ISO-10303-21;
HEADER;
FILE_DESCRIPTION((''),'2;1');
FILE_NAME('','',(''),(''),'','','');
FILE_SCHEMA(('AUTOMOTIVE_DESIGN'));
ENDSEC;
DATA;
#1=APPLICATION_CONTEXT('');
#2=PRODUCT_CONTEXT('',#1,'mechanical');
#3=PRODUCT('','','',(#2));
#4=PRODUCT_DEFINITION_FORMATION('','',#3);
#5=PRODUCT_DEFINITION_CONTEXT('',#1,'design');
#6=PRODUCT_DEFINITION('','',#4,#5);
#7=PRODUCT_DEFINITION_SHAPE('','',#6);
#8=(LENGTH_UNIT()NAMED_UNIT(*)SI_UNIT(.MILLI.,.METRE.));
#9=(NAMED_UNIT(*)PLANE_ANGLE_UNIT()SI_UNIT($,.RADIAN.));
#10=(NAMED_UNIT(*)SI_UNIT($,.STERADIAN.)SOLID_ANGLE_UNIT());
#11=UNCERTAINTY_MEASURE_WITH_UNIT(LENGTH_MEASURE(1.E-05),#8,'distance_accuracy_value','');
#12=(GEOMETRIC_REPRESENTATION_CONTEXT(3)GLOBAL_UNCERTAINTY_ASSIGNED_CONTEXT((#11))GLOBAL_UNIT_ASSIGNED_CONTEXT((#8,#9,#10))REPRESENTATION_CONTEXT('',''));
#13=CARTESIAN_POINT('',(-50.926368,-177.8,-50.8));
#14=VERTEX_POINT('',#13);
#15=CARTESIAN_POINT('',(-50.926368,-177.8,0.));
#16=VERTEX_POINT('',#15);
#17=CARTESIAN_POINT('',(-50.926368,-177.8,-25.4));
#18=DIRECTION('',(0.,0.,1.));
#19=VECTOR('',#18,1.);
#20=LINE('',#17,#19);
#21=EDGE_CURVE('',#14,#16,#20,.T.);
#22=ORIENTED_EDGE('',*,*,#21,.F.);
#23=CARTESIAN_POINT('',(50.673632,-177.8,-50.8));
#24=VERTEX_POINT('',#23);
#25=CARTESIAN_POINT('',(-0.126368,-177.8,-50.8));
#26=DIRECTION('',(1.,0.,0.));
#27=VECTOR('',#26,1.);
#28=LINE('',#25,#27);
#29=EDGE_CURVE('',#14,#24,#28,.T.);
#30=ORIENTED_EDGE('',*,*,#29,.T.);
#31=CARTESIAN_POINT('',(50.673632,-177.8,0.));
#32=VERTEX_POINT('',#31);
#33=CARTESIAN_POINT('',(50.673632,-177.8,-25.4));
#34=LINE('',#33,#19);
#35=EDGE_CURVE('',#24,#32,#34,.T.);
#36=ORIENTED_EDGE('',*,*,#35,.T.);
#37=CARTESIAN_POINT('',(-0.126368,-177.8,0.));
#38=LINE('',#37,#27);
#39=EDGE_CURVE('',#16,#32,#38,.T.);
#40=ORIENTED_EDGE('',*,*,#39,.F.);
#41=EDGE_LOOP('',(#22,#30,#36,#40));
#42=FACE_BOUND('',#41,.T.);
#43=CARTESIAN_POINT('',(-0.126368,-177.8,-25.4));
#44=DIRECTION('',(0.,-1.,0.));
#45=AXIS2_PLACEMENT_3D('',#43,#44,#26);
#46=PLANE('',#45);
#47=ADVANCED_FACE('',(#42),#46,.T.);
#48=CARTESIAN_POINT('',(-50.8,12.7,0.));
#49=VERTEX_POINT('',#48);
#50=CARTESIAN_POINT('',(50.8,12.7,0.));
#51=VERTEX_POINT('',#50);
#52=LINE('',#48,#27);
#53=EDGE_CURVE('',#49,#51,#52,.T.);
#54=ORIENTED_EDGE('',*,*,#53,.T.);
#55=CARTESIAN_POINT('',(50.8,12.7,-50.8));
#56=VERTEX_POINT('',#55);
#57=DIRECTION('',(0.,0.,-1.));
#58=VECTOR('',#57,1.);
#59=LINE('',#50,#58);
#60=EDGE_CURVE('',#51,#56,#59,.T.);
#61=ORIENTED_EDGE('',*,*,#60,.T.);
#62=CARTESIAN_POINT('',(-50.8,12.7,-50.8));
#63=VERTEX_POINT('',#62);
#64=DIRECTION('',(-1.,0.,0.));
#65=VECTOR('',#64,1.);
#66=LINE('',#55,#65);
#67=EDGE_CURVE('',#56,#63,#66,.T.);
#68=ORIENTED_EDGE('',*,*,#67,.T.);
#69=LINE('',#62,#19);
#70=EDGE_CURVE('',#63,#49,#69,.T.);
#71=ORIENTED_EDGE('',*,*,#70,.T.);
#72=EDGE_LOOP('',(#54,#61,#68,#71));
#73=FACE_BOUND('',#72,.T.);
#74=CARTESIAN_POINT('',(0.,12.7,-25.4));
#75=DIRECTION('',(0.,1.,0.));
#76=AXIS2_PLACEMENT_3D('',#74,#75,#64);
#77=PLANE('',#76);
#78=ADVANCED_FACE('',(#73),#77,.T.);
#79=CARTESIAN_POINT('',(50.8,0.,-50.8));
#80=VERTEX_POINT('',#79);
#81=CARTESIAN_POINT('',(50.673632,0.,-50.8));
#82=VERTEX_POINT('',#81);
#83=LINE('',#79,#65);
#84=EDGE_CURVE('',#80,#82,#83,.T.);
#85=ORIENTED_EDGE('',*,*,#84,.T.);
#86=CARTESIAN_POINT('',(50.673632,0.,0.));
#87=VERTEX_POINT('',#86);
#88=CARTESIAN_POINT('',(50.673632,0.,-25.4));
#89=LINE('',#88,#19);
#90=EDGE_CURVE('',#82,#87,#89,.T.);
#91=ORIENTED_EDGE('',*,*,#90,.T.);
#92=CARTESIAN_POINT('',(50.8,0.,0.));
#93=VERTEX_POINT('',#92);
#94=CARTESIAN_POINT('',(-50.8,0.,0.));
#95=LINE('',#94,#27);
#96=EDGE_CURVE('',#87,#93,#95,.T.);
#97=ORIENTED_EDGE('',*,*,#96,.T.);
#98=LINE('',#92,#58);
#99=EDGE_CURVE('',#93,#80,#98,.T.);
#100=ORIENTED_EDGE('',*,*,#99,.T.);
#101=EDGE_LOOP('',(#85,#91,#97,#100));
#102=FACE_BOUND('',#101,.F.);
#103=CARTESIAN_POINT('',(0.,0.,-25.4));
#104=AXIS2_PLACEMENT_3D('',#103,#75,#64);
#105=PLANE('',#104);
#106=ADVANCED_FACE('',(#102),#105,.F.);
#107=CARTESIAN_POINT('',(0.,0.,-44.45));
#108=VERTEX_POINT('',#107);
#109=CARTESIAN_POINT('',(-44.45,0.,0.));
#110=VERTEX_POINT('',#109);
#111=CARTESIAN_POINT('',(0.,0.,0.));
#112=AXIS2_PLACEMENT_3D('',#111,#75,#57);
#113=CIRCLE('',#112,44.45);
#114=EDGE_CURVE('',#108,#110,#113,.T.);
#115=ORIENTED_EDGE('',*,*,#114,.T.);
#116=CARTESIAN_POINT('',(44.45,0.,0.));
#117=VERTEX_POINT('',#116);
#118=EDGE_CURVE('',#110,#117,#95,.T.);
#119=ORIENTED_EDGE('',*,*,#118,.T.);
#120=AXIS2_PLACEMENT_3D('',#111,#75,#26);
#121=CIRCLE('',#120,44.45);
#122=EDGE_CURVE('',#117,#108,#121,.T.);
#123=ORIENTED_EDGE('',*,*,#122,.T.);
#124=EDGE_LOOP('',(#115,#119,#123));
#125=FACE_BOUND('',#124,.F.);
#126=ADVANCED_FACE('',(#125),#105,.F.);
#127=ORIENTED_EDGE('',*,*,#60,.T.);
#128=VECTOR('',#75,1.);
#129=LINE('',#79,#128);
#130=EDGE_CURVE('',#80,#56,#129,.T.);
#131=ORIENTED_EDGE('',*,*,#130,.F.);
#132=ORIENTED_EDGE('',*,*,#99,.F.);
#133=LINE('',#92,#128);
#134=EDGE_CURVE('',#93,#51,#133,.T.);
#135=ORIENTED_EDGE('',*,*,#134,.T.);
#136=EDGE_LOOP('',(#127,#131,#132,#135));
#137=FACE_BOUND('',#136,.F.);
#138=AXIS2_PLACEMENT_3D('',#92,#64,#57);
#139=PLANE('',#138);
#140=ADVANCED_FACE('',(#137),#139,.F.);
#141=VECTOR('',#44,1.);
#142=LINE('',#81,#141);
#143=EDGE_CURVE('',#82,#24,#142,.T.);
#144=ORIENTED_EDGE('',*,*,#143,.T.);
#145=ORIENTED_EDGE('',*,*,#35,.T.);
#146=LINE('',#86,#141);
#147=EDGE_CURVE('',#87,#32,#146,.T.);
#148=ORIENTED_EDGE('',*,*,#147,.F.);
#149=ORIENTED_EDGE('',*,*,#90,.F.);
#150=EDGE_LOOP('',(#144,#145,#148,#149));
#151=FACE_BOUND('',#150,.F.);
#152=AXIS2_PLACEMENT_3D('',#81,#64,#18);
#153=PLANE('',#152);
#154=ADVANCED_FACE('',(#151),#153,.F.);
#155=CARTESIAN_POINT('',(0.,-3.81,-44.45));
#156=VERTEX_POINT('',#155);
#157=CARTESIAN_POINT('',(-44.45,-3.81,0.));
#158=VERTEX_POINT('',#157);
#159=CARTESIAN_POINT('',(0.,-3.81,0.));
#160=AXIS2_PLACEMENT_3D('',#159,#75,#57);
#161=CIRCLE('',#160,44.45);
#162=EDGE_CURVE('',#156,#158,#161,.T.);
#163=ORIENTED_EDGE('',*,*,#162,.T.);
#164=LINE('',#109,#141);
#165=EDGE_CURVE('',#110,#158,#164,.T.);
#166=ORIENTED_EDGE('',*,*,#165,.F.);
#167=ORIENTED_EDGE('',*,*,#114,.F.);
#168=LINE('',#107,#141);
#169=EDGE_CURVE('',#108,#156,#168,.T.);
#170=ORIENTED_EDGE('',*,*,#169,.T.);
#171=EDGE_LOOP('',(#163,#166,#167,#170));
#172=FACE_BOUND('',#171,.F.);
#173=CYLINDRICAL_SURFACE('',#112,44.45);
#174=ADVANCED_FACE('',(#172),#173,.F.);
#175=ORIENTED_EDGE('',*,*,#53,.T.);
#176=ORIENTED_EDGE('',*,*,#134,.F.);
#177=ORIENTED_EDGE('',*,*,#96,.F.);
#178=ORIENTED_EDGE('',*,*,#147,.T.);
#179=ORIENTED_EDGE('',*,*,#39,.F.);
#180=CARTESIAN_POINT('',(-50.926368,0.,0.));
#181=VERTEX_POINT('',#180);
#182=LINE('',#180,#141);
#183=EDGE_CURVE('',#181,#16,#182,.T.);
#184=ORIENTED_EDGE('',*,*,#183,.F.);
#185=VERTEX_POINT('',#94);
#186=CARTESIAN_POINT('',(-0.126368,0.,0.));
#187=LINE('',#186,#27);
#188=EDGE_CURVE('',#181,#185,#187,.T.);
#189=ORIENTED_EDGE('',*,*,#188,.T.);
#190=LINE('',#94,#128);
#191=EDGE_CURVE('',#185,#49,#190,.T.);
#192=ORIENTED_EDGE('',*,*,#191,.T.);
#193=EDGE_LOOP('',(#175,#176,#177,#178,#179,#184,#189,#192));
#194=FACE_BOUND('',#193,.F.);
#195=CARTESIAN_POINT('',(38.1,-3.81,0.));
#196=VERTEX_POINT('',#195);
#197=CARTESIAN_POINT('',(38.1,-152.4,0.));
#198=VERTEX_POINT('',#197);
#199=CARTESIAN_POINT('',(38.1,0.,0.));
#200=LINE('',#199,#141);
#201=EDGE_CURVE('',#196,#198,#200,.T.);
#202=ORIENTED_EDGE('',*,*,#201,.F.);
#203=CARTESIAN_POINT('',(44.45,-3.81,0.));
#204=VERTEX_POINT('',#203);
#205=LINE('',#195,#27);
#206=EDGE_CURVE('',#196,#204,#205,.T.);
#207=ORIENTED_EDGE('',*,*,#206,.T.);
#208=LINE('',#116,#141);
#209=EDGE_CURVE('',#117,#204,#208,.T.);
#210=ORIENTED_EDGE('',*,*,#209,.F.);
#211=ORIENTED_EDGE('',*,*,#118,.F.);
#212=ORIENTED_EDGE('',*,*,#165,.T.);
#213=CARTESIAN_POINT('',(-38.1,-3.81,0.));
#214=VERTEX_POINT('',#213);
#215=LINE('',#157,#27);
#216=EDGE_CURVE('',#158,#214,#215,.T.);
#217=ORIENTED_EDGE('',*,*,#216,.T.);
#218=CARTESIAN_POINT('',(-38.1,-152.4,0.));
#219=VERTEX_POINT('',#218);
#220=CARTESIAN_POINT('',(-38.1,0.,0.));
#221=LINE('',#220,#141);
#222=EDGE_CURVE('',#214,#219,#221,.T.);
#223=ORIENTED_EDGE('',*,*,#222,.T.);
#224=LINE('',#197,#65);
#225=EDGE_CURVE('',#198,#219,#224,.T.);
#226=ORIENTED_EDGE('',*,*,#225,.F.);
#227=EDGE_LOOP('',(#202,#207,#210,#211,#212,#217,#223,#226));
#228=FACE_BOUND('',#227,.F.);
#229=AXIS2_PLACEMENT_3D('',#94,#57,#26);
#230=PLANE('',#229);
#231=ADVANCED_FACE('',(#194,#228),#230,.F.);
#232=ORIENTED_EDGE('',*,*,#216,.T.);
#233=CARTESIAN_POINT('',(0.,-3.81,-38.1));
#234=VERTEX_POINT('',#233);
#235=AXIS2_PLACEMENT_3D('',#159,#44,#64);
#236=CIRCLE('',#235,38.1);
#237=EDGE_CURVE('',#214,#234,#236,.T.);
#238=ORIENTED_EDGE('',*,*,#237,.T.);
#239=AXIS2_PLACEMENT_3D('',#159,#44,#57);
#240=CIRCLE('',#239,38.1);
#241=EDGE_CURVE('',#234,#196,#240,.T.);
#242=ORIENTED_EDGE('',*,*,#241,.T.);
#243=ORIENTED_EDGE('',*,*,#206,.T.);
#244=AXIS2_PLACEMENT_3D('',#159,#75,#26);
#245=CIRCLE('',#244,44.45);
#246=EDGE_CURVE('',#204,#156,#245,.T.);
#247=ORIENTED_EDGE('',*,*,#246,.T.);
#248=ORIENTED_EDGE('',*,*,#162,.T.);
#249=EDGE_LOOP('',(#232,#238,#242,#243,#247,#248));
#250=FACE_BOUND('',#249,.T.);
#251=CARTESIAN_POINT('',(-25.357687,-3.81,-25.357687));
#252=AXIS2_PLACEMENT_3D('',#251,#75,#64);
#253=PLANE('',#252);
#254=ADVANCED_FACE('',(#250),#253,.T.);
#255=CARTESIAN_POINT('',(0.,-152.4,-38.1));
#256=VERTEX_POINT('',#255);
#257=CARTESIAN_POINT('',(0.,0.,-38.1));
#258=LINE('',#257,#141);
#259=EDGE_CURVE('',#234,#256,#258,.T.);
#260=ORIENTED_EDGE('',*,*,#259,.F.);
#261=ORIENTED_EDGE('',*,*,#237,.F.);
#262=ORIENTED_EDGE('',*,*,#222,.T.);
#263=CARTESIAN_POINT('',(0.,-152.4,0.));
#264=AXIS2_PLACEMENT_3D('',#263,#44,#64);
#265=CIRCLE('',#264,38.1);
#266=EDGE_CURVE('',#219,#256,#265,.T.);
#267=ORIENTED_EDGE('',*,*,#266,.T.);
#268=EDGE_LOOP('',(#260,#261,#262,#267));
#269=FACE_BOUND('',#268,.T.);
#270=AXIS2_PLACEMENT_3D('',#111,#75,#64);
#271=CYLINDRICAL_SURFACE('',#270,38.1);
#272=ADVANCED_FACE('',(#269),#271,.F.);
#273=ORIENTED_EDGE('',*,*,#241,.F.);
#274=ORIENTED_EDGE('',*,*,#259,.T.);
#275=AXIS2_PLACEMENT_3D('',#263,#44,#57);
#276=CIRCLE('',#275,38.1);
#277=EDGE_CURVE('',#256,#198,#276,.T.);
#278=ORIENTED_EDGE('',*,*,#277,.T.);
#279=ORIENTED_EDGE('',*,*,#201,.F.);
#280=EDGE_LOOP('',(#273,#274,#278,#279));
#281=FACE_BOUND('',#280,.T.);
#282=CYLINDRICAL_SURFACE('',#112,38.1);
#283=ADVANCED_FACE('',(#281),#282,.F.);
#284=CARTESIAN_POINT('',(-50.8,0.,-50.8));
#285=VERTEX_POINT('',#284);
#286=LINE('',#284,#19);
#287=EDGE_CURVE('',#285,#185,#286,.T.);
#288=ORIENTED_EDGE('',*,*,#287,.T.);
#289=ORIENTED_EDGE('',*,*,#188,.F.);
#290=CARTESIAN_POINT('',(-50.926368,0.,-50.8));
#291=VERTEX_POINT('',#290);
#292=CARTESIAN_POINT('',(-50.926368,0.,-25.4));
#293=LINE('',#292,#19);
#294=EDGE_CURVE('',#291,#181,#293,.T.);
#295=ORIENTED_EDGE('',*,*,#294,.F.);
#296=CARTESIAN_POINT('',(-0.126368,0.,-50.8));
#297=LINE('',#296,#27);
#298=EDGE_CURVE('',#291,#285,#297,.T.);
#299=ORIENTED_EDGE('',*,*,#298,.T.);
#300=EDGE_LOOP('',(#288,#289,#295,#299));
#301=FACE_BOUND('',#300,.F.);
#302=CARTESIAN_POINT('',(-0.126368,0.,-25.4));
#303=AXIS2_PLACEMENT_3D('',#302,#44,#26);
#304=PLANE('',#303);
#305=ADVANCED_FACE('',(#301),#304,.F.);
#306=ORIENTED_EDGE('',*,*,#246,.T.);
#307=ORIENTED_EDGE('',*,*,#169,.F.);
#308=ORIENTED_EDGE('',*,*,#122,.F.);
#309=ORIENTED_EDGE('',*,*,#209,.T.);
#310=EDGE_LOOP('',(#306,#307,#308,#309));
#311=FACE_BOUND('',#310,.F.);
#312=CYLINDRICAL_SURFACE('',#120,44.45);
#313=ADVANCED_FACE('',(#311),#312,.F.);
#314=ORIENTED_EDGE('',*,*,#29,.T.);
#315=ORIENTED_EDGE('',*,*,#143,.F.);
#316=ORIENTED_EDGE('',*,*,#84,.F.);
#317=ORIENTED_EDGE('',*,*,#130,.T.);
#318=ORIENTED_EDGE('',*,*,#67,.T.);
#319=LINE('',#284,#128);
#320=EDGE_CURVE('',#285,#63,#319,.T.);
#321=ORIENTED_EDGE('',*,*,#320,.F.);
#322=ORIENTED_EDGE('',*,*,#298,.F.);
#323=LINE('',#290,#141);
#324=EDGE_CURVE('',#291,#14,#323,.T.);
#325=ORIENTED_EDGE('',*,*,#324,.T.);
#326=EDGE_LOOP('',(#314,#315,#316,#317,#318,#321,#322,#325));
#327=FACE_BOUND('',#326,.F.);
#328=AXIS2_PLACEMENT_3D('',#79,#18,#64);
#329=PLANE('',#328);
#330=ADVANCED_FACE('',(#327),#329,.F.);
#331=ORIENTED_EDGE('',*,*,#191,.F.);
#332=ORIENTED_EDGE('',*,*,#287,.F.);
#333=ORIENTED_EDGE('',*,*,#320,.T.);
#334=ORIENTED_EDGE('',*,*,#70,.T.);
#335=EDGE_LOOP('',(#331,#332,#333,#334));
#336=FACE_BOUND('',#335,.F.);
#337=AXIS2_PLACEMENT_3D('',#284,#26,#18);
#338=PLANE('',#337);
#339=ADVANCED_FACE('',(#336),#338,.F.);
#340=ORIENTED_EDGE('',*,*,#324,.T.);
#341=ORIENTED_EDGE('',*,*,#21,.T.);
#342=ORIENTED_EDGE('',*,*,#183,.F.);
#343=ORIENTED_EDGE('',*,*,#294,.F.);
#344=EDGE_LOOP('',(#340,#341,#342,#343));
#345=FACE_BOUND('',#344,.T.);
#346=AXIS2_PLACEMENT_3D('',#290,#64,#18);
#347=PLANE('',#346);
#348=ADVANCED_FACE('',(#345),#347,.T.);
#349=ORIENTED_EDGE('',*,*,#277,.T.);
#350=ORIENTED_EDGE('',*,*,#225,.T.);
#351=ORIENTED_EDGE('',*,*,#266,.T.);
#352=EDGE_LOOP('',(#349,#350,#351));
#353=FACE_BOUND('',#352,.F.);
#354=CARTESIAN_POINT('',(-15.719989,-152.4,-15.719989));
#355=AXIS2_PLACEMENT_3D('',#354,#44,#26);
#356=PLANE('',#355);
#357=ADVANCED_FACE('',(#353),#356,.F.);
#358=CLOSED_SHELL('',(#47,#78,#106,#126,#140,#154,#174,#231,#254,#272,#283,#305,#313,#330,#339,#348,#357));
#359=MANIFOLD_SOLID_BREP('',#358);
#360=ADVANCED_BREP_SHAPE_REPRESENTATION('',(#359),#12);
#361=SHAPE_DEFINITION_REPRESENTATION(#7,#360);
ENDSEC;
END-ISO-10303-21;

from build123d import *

# Parameters (mm, degrees)
F0_W     = 101.6
F0_H     = 50.8
F1_DEPTH = 177.8
F4_DEPTH = 152.4
F6_DEPTH = 3.81
F8_DEPTH = 12.7


with BuildPart() as f1:
    # F0 (on Front) → F1 (new body)
    with BuildSketch(Plane.XZ):
        with Locations((-0.1263681454, -25.4)):
            Rectangle(F0_W, F0_H)
    extrude(amount=F1_DEPTH)

    # F3 (on Front) → F4 (cut)
    with BuildSketch(Plane.XZ):
        with BuildLine():
            Line((0, -38.1), (0, 0))
            Line((0, 0), (-38.1, 0))
            ThreePointArc((-38.1, 0), (-26.9407683632, -26.9407683632), (0, -38.1))
        make_face()
        with BuildLine():
            Line((38.1, 0), (0, 0))
            Line((0, 0), (0, -38.1))
            ThreePointArc((0, -38.1), (26.9407683632, -26.9407683632), (38.1, 0))
        make_face()
    extrude(amount=F4_DEPTH, mode=Mode.SUBTRACT)

    # F5 (on face) → F6 (cut)
    with BuildSketch(Plane(origin=(0, 0, 0), x_dir=(-1, 0, 0), z_dir=(0, 1, 0))):
        with BuildLine():
            Line((0, -38.1), (0, -44.45))
            ThreePointArc((0, -44.45), (31.4308964237, -31.4308964237), (44.45, 0))
            Line((44.45, 0), (38.1, 0))
            ThreePointArc((38.1, 0), (26.9407683632, -26.9407683632), (0, -38.1))
        make_face()
        with BuildLine():
            Line((-38.1, 0), (-44.45, 0))
            ThreePointArc((-44.45, 0), (-31.4308964237, -31.4308964237), (0, -44.45))
            Line((0, -44.45), (0, -38.1))
            ThreePointArc((0, -38.1), (-26.9407683632, -26.9407683632), (-38.1, 0))
        make_face()
    extrude(amount=-F6_DEPTH, mode=Mode.SUBTRACT)

    # F7 (on face) → F8 (join)
    with BuildSketch(Plane(origin=(0, 0, 0), x_dir=(-1, 0, 0), z_dir=(0, 1, 0))):
        Polygon((50.8, 0), (0, 0), (-50.8, 0), (-50.8, -50.8), (50.8, -50.8), align=None)
    extrude(amount=F8_DEPTH)


solid = f1.part
